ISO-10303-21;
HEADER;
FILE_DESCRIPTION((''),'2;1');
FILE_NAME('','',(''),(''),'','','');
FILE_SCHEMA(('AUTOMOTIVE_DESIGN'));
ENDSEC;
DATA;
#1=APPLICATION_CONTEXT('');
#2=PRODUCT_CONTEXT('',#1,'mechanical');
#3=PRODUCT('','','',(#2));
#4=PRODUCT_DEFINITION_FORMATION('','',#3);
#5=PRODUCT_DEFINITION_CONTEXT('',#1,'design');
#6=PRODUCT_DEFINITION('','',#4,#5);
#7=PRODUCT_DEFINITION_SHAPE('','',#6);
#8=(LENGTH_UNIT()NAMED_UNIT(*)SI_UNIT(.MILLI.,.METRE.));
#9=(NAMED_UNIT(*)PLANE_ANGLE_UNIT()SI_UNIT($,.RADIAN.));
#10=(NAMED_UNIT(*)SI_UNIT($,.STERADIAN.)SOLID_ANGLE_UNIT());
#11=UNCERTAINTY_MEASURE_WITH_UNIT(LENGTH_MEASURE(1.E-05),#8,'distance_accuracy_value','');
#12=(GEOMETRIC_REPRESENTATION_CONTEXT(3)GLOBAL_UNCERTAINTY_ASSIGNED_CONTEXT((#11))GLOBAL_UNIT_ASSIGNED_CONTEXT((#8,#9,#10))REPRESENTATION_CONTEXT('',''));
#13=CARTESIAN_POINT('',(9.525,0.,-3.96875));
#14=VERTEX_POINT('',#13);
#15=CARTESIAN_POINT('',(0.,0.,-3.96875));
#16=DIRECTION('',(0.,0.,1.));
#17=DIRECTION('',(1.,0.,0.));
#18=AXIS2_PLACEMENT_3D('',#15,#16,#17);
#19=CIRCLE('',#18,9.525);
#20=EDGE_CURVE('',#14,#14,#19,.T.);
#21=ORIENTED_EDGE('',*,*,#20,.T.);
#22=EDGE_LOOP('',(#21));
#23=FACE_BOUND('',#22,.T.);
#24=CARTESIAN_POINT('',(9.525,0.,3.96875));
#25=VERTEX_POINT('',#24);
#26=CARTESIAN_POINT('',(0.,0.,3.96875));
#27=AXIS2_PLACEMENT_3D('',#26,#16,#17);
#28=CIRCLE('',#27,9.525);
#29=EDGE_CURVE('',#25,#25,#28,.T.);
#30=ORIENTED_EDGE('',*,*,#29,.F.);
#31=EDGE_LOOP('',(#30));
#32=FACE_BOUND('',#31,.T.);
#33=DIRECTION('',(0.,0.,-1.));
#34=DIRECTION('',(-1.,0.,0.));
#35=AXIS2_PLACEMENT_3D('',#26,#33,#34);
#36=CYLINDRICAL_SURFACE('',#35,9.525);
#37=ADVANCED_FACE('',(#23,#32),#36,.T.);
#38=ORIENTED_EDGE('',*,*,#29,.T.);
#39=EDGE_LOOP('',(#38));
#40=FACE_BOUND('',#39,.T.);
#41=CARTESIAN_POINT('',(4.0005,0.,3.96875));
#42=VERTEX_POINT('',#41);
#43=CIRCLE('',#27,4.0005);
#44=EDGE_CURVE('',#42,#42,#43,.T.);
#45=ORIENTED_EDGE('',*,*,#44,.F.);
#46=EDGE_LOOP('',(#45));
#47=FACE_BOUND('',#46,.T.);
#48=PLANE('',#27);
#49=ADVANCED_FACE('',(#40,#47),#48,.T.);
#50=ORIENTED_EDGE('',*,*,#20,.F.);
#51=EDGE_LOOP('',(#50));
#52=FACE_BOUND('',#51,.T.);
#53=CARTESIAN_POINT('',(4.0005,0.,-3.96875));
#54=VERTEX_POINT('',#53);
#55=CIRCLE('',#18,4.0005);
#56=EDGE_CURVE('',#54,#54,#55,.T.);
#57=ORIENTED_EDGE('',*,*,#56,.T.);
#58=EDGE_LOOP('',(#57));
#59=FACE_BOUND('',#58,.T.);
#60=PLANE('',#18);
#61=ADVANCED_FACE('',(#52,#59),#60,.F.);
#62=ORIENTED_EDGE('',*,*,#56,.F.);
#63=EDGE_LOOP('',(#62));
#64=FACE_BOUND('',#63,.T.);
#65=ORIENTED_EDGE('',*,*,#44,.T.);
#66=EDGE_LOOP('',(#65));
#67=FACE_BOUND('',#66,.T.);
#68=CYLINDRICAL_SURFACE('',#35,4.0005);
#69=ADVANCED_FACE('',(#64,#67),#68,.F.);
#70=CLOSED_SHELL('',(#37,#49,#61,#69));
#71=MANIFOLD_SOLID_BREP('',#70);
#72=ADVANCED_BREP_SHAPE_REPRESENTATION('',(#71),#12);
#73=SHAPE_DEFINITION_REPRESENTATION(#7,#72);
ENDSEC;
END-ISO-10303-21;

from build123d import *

# Parameters (mm, degrees)
SKETCH1_R      = 9.525
SKETCH1_R_2    = 4.0005
EXTRUDE1_DEPTH = 3.96875


with BuildPart() as part:
    # Sketch1 → Extrude1 (new body, symmetric)
    with BuildSketch(Plane.XY):
        Circle(SKETCH1_R)
        Circle(SKETCH1_R_2, mode=Mode.SUBTRACT)
    extrude(amount=EXTRUDE1_DEPTH, both=True)


solid = part.part
